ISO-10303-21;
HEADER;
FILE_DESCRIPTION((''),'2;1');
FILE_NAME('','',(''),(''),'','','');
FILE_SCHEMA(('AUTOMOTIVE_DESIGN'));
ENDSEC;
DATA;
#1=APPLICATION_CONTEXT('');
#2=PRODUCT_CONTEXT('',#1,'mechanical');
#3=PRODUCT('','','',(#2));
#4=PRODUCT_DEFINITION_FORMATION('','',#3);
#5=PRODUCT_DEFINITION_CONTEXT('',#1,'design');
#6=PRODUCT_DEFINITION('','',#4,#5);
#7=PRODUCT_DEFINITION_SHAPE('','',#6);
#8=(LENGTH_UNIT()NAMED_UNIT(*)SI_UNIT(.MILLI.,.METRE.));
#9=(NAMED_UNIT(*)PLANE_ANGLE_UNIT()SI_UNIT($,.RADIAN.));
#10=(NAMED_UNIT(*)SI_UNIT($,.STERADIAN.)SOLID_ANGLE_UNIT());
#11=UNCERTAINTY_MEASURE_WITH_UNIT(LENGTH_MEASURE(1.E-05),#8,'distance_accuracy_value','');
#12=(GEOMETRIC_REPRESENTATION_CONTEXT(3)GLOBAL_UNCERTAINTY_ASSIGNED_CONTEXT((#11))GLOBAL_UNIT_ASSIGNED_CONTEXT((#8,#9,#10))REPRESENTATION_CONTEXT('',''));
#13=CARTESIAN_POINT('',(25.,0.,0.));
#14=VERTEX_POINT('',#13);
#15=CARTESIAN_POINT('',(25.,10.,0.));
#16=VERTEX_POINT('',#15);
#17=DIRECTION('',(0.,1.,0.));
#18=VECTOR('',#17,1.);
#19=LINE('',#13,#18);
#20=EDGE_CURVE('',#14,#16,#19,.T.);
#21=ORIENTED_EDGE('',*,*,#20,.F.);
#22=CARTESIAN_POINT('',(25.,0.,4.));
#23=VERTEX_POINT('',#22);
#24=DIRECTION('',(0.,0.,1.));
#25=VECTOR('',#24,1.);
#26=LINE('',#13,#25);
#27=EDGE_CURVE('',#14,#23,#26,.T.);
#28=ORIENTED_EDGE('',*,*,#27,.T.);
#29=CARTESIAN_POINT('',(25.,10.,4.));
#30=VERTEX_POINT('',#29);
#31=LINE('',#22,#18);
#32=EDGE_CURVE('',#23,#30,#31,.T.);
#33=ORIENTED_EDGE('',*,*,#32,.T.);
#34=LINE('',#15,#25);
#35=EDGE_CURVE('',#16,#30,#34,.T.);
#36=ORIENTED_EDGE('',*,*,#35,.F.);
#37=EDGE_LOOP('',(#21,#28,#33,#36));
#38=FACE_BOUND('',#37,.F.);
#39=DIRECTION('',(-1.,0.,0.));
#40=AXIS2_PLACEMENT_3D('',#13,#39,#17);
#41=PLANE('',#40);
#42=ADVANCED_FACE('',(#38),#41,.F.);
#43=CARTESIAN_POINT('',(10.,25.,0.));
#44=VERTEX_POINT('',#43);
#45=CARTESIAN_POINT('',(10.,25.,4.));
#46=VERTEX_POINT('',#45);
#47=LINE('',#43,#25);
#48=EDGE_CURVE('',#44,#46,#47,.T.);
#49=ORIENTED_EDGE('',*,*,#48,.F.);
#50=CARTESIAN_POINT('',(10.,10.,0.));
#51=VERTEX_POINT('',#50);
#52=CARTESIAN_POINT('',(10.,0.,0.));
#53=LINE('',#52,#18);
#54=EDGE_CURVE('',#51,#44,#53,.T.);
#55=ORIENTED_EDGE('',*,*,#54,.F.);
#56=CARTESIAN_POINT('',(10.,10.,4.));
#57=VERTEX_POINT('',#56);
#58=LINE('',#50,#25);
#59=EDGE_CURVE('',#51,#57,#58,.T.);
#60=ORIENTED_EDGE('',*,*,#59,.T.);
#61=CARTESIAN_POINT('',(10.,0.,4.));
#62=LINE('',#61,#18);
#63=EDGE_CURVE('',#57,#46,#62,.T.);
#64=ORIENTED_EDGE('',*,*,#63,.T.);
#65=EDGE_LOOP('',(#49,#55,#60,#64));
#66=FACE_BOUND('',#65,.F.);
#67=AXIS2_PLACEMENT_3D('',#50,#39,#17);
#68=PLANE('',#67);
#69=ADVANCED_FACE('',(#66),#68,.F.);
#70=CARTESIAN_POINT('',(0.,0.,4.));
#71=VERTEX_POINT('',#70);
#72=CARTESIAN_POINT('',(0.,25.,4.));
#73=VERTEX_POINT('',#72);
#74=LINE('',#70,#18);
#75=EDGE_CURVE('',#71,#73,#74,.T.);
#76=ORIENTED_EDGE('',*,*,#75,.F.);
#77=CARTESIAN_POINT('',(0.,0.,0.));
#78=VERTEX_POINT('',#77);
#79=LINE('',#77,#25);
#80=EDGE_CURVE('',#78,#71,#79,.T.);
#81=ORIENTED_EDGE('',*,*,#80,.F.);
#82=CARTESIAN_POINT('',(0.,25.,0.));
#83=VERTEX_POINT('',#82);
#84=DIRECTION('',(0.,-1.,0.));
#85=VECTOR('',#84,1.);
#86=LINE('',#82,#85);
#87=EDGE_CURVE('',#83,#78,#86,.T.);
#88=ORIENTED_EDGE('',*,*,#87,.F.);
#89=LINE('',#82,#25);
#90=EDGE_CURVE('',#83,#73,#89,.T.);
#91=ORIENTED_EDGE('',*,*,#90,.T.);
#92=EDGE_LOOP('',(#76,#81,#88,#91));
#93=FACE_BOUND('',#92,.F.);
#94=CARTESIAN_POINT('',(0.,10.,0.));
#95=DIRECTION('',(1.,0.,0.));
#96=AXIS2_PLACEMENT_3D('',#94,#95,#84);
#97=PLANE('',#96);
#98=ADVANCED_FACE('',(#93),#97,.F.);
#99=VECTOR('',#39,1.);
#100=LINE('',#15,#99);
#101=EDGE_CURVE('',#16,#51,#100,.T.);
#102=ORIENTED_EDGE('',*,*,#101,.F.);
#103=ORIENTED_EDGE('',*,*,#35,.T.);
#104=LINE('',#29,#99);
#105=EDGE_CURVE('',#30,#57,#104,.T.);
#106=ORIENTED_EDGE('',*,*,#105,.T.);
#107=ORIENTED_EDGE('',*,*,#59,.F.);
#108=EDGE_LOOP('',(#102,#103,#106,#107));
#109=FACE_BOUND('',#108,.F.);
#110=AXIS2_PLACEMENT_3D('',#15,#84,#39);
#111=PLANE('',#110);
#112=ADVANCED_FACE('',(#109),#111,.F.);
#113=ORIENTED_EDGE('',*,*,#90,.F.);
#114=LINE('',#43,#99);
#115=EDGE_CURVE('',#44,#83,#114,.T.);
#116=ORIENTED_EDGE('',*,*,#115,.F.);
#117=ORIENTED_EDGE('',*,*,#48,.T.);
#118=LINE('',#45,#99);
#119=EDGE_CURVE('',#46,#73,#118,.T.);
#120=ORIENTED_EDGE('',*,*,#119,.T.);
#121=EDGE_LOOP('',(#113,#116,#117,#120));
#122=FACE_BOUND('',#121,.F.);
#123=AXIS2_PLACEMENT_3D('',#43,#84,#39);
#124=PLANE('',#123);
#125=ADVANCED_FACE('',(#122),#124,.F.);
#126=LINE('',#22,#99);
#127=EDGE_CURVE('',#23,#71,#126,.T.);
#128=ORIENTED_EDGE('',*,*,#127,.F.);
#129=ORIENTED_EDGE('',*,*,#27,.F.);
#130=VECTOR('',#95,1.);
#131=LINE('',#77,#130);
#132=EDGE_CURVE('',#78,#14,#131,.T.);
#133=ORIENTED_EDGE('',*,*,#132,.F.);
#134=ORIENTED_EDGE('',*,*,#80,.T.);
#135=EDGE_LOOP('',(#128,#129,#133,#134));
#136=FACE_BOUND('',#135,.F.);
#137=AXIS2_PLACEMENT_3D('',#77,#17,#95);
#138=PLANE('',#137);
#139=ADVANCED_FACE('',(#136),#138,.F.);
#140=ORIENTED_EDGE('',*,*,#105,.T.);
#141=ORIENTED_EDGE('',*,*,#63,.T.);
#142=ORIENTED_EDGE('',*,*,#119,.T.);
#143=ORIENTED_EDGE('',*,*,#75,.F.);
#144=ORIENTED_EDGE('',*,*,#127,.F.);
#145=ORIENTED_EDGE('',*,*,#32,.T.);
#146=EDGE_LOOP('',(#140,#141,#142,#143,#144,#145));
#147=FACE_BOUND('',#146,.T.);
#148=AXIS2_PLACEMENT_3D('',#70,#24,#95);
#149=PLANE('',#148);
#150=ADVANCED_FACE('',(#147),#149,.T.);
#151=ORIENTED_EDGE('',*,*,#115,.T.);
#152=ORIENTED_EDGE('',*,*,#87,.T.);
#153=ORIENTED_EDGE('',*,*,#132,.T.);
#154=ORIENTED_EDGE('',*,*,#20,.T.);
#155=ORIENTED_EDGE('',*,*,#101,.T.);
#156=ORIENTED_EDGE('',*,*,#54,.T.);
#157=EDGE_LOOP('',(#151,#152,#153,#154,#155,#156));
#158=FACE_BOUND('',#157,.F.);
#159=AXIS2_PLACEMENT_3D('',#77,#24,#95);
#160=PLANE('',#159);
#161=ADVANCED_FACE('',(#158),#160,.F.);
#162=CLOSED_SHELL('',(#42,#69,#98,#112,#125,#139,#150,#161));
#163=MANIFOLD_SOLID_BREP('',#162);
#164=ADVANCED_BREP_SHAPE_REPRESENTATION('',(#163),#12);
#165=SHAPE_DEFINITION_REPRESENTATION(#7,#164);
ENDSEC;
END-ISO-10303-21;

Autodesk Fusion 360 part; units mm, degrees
sketch "Sketch1" plane through (0, 0, 0) normal (0, 0, 1) x (1, 0, 0)
  line L0 (0, 0) -> (25, 0)
  line L1 (25, 0) -> (25, 10)
  line L2 (25, 10) -> (0, 10)
  line L3 (0, 10) -> (0, 0)
  line L4 (0, 0) -> (10, 0)
  line L5 (10, 0) -> (10, 25)
  line L6 (10, 25) -> (0, 25)
  line L7 (0, 25) -> (0, 0)
extrude "Extrude1" add sketch "Sketch1" along normal blind 4
